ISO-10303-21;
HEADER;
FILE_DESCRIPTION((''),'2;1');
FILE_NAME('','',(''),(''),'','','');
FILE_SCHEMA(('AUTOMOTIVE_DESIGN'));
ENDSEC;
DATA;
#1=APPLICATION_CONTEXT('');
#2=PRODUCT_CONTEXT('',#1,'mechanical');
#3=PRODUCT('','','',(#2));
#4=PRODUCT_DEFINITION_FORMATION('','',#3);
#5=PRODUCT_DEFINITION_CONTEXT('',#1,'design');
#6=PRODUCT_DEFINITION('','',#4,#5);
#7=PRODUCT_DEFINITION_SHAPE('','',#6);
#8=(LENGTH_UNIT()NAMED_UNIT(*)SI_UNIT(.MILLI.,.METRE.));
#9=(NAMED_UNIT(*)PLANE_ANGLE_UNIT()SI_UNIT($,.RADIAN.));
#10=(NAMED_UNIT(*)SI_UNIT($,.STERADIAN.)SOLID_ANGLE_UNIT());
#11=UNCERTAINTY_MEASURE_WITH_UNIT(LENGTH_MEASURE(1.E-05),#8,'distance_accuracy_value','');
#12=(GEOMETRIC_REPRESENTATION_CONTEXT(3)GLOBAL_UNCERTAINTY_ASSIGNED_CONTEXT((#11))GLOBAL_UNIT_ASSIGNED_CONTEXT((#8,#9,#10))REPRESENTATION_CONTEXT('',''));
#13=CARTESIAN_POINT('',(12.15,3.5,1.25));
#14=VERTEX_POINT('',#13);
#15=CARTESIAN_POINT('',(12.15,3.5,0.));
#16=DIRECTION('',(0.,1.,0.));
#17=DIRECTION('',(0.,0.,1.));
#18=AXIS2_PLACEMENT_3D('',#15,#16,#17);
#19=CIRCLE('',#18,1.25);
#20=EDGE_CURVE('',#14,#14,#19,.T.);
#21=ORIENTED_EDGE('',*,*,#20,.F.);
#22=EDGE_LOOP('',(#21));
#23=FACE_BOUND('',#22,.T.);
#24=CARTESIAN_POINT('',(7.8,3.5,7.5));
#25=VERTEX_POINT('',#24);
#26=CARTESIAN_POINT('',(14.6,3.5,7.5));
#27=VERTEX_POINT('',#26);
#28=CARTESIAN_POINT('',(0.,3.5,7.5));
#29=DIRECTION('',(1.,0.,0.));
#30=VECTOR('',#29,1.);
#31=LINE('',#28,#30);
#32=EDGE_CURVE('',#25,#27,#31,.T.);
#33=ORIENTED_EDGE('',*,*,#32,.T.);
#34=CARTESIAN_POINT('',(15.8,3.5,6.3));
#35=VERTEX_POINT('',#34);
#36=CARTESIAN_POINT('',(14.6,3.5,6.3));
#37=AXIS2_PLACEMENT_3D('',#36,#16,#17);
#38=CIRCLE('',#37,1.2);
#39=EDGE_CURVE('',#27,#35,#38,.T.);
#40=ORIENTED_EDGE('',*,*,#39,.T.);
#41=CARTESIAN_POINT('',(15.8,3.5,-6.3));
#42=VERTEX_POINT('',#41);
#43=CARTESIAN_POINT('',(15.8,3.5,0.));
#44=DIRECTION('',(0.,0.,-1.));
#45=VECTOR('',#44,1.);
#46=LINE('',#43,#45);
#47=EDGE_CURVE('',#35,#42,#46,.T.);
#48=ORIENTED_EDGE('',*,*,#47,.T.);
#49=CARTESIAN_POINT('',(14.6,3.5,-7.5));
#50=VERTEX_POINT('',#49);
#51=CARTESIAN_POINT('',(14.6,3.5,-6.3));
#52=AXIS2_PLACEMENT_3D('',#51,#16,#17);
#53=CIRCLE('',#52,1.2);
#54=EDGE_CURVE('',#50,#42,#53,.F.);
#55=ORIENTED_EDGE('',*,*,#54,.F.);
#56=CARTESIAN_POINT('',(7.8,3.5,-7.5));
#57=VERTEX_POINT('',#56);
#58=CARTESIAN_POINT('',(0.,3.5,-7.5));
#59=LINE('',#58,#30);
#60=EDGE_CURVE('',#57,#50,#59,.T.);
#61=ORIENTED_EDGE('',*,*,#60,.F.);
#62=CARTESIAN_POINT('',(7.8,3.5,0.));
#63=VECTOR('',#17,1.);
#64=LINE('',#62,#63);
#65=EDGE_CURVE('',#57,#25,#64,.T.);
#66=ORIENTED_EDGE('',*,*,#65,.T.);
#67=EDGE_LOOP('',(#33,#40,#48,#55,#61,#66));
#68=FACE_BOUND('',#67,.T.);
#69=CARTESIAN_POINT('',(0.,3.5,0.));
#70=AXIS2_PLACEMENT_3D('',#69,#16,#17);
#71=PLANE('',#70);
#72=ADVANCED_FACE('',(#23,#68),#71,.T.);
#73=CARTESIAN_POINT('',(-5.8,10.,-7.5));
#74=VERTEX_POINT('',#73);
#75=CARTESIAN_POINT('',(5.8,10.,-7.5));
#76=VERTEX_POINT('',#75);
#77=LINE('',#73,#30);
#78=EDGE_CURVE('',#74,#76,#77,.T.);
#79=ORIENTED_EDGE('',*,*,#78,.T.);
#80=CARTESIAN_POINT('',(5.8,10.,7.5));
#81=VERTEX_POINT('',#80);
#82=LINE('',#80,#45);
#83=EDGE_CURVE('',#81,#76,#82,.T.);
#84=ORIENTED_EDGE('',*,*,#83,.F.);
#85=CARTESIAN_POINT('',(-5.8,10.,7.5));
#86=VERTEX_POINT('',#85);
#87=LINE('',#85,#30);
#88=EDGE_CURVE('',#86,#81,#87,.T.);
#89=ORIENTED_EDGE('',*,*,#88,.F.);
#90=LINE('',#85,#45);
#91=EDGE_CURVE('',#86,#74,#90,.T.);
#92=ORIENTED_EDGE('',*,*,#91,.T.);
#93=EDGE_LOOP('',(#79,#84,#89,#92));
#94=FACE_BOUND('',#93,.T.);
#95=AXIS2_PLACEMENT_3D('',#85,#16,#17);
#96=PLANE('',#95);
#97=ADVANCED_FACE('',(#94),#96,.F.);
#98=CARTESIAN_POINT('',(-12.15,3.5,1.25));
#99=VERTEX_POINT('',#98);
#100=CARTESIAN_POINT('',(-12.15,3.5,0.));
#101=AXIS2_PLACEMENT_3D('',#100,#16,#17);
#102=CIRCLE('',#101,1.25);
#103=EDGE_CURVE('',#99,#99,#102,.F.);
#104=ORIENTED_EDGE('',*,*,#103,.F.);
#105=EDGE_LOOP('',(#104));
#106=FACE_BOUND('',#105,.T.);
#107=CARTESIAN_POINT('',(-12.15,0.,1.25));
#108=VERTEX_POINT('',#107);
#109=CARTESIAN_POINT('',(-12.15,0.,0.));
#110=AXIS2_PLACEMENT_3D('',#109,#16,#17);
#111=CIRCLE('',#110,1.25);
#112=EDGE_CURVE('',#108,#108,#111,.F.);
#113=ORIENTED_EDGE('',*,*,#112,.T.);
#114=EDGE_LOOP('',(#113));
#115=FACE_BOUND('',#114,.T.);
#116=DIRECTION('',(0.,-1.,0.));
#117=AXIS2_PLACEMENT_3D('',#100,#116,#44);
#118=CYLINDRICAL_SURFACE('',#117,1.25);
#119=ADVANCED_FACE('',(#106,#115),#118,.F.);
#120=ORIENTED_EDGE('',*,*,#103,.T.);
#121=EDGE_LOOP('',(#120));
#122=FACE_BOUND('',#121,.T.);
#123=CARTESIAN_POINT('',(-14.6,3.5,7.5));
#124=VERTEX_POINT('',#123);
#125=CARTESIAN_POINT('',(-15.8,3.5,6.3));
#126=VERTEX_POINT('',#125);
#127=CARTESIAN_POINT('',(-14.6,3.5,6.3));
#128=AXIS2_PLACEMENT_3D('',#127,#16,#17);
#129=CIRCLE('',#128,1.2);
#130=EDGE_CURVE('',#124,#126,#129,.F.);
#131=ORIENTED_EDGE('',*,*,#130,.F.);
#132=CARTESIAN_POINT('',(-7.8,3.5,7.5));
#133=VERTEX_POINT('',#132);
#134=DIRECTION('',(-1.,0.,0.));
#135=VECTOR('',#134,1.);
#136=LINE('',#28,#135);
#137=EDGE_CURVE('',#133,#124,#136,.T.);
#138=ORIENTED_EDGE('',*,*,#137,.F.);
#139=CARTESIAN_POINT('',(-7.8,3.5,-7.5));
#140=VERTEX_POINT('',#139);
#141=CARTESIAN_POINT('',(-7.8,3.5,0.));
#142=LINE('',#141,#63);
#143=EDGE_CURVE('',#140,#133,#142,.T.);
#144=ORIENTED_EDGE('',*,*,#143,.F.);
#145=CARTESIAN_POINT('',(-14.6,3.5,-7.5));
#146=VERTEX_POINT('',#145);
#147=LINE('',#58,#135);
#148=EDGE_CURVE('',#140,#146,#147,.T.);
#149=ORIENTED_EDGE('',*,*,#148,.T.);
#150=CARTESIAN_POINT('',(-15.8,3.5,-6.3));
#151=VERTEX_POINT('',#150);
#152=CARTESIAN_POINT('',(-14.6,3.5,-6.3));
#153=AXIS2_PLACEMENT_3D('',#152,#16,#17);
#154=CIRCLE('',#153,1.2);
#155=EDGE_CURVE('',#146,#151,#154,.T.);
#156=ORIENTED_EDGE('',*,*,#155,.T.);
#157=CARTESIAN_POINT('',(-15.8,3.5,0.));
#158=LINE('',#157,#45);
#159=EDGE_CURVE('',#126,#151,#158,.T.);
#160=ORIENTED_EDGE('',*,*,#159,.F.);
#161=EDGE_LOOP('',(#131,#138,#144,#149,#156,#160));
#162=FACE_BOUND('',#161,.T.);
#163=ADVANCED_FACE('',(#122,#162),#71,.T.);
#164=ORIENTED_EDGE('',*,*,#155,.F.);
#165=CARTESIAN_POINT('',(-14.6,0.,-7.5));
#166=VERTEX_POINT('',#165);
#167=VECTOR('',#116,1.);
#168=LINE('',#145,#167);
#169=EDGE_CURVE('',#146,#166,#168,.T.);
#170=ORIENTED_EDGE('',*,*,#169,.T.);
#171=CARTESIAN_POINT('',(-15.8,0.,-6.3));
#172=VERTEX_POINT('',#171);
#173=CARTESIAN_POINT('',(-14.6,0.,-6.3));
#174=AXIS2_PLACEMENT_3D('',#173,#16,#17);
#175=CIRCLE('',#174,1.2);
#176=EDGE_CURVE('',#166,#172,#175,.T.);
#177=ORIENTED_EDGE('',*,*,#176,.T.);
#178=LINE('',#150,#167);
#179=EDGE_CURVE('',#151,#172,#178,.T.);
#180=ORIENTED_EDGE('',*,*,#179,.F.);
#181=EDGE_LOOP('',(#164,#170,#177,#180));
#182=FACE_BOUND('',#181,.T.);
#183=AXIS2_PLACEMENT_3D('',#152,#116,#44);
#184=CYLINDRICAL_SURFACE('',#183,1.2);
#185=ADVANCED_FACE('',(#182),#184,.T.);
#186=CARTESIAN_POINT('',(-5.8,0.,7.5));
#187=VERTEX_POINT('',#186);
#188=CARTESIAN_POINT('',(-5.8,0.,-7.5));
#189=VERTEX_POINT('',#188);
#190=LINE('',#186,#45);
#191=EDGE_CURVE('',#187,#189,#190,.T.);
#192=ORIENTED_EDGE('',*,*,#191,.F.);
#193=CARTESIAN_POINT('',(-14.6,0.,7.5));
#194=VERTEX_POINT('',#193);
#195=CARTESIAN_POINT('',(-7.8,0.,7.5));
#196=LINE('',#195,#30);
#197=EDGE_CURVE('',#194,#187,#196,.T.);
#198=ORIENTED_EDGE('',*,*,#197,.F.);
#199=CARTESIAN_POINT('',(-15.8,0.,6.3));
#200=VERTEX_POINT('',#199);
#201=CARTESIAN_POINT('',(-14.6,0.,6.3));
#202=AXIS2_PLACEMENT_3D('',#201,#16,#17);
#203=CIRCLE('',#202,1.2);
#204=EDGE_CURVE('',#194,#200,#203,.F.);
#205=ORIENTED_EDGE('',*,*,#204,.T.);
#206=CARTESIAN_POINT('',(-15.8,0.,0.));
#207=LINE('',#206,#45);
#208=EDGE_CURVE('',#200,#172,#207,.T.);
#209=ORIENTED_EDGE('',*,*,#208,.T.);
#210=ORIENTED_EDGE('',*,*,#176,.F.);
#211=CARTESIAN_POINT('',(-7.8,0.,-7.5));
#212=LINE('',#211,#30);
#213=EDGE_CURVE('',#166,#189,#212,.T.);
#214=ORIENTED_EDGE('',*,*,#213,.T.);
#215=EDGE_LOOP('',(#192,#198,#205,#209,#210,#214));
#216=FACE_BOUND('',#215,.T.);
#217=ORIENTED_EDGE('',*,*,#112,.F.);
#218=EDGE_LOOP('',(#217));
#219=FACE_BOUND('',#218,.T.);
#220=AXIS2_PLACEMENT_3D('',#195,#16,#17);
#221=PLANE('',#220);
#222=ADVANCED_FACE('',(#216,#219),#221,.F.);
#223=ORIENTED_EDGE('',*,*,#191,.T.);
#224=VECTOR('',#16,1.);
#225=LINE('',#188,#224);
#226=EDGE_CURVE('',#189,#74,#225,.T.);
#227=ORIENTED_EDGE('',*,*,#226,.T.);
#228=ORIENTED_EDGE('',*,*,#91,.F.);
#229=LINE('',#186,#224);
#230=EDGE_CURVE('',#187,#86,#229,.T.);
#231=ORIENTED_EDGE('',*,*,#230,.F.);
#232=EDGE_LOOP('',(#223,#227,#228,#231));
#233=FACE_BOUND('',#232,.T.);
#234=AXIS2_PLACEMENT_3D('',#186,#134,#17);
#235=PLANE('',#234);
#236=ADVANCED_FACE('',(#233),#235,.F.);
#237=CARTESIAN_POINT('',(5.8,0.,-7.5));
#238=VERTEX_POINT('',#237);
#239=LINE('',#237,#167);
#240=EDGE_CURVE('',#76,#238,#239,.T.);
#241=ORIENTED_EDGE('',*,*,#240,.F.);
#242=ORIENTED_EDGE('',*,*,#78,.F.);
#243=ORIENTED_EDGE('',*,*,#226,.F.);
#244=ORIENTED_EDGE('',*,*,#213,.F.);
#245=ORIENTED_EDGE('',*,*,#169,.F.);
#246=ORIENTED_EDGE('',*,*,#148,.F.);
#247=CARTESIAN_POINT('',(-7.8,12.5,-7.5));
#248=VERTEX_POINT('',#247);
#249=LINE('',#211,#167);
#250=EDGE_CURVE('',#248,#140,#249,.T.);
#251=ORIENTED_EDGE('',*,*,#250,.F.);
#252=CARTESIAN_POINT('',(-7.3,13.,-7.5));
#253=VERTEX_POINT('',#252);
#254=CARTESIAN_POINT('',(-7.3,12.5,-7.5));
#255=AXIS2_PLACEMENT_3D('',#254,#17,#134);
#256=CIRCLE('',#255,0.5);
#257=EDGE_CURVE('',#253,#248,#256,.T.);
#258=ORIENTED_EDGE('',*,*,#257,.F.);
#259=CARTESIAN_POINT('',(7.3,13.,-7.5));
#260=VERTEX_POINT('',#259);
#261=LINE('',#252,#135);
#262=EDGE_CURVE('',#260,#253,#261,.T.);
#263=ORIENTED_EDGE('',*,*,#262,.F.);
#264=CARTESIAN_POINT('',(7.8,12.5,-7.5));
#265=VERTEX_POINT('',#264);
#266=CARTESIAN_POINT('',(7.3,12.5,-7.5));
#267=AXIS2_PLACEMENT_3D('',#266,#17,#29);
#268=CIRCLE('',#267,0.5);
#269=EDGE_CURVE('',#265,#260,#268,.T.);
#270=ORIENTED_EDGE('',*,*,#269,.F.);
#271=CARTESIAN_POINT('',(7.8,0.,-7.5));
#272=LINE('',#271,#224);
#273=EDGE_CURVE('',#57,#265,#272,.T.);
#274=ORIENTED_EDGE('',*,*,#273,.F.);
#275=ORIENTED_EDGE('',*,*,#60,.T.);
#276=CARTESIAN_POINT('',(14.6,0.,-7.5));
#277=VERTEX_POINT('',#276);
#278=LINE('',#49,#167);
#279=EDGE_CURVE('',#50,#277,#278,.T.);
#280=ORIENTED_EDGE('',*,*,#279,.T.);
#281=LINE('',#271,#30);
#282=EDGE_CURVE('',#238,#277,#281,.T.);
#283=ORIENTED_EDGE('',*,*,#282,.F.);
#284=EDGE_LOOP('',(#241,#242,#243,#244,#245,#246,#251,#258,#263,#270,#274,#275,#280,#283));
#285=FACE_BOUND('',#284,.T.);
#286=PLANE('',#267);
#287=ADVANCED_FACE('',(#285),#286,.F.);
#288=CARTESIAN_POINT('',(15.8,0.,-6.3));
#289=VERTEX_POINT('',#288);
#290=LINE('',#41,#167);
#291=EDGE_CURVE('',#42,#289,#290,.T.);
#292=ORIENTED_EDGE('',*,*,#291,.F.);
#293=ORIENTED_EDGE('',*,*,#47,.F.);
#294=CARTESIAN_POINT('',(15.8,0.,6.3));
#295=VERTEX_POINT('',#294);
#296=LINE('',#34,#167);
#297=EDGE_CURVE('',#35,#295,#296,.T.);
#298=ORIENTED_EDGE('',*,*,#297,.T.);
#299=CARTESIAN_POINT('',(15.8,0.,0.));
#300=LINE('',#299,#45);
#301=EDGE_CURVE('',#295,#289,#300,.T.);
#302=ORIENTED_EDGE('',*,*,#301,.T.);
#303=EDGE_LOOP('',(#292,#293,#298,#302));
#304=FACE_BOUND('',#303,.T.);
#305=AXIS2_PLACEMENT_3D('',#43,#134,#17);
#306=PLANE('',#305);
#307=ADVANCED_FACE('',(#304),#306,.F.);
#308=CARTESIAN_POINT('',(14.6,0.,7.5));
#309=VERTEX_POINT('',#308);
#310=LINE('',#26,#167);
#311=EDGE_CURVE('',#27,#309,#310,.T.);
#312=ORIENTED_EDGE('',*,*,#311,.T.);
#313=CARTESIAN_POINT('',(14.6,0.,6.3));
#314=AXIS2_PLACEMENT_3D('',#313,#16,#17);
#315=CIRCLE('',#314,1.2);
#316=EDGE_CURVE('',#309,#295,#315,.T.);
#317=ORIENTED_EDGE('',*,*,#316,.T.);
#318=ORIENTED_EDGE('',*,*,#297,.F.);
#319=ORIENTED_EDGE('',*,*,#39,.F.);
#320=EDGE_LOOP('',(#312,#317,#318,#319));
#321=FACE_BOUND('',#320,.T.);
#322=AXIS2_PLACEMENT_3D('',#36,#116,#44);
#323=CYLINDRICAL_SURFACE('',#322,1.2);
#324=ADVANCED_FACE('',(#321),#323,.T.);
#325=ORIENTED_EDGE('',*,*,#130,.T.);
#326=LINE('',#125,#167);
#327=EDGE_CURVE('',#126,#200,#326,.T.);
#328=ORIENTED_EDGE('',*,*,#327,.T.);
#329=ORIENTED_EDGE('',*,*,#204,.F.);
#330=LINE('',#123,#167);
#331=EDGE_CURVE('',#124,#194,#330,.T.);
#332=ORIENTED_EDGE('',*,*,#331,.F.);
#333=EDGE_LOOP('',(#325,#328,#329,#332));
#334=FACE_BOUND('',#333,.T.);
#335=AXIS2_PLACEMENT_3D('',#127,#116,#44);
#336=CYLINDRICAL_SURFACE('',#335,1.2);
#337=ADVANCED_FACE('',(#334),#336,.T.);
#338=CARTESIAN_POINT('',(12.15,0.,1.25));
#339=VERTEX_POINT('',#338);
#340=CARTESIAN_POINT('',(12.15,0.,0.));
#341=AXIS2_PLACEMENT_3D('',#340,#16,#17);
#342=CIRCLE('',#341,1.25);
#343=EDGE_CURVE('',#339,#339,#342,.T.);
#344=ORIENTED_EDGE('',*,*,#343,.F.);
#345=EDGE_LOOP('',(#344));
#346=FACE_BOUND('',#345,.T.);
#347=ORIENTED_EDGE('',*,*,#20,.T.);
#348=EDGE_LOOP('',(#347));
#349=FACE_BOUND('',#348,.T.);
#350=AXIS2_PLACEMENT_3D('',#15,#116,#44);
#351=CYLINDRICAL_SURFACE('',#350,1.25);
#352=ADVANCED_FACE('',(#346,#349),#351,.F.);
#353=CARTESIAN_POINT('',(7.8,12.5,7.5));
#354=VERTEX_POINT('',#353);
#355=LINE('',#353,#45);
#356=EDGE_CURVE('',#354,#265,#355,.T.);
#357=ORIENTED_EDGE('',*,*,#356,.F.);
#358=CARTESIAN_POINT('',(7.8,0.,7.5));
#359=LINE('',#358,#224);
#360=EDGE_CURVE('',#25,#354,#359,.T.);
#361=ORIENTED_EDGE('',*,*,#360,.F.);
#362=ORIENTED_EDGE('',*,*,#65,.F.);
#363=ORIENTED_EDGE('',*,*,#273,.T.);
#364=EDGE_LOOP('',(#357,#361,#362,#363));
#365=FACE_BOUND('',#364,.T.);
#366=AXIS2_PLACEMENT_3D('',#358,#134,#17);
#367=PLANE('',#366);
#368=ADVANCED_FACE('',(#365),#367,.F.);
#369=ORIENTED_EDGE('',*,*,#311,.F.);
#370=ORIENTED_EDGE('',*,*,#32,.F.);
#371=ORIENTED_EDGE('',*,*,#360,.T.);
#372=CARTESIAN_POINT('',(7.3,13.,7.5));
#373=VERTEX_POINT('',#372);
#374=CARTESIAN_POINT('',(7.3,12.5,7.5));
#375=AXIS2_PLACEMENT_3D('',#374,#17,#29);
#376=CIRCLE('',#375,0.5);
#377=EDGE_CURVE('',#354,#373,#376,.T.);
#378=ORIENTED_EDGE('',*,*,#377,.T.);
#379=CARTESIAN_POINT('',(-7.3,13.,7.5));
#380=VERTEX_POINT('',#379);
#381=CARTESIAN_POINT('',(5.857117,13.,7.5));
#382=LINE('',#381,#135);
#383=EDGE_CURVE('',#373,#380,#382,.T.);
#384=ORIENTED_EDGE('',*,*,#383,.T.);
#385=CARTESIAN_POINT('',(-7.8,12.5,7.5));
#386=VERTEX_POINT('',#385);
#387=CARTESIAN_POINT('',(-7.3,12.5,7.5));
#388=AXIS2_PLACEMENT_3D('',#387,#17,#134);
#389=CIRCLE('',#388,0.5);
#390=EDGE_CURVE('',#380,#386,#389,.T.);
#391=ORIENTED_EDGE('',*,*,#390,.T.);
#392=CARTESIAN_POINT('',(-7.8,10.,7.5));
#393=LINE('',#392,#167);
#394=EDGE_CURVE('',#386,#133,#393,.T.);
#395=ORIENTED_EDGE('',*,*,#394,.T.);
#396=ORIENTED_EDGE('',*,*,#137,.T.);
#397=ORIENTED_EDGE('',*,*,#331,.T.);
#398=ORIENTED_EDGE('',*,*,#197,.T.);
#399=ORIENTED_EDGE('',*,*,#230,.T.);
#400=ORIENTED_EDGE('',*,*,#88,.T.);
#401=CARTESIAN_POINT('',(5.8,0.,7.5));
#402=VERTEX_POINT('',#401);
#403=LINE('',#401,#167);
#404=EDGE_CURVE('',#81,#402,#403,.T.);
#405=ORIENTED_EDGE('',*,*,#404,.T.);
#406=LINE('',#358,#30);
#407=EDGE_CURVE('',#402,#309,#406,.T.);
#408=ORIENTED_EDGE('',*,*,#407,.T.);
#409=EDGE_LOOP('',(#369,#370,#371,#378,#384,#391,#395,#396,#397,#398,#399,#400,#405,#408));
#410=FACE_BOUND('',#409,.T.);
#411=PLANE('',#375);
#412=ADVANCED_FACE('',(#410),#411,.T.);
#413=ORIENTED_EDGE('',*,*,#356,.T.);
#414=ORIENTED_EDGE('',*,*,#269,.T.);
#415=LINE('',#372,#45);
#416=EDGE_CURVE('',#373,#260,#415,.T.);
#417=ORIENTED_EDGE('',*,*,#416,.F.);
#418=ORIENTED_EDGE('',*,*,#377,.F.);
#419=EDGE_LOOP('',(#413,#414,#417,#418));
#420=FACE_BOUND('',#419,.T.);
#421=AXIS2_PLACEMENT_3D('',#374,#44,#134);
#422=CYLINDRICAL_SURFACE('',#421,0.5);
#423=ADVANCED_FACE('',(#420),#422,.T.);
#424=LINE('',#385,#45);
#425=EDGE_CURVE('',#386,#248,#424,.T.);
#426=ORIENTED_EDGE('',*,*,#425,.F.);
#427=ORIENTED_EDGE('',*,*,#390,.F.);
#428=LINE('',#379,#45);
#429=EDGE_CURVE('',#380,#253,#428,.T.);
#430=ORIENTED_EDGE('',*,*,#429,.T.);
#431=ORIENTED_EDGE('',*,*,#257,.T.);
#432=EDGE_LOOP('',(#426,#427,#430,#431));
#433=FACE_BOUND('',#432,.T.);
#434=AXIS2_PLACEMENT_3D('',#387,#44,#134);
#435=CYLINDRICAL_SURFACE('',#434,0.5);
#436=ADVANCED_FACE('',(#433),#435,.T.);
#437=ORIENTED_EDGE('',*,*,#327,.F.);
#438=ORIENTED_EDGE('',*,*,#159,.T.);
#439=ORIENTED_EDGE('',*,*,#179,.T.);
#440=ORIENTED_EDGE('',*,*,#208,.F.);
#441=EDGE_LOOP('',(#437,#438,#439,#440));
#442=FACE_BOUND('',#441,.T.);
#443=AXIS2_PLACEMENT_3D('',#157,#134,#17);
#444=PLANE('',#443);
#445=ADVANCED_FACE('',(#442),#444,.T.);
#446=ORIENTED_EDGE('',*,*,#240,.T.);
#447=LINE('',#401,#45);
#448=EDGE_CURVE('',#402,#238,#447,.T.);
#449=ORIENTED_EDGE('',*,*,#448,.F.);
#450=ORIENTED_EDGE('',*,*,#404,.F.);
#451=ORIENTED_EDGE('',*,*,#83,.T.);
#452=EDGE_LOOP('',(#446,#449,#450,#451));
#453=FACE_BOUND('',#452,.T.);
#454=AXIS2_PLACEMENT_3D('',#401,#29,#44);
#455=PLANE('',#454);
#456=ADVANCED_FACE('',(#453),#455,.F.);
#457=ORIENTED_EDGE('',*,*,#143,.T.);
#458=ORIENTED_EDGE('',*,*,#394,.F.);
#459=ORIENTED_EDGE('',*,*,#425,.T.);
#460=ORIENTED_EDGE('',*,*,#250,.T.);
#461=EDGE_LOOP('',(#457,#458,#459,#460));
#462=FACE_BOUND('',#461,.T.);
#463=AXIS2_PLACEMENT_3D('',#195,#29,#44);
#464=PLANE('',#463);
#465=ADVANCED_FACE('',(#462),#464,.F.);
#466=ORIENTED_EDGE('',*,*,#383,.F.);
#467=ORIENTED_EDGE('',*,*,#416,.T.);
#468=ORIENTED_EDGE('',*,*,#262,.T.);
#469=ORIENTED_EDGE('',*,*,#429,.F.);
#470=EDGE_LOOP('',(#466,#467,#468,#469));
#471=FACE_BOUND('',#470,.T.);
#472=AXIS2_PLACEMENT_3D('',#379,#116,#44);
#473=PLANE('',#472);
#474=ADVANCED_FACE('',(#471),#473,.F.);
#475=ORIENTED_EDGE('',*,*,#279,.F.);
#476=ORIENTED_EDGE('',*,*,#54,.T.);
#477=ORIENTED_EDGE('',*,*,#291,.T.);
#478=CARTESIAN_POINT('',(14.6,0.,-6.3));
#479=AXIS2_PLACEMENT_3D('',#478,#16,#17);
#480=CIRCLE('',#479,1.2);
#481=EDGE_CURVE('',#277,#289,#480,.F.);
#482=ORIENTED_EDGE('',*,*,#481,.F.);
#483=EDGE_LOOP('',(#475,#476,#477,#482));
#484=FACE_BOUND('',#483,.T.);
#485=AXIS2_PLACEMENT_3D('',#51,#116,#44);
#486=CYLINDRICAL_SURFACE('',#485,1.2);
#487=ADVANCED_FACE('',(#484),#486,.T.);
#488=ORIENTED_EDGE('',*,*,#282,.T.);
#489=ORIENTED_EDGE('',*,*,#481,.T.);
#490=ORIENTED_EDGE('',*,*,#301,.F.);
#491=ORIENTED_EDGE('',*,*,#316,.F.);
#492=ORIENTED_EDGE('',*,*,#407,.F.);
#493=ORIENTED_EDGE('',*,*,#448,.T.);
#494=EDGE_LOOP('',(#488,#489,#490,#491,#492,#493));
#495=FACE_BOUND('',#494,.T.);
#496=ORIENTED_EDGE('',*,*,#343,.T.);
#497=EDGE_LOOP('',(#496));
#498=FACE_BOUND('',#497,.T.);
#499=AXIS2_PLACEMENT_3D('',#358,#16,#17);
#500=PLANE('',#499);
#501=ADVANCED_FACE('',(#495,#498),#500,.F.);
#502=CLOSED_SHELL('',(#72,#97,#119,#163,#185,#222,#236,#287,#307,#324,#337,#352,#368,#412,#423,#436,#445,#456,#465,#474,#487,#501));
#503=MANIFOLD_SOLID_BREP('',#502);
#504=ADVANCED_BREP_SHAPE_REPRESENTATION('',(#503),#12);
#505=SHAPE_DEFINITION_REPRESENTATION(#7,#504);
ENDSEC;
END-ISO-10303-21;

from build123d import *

# Parameters (mm, degrees)
BOSS_EXTRUDE1_DEPTH = 7.5
SKETCH3_R           = 1.25
BOSS_EXTRUDE2_DEPTH = 3.5


with BuildPart() as part:
    # Sketch1 → Boss-Extrude1 (new body, symmetric)
    with BuildSketch(Plane.XY):
        with BuildLine():
            Line((-5.8, 0), (-5.8, 10))
            Line((-5.8, 10), (5.8, 10))
            Line((5.8, 10), (5.8, 0))
            Line((5.8, 0), (7.8, 0))
            Line((7.8, 0), (7.8, 12.5))
            ThreePointArc((7.8, 12.5), (7.653553391, 12.853553391), (7.3, 13))
            Line((7.3, 13), (5.857116976, 13))
            Line((5.857116976, 13), (-7.3, 13))
            ThreePointArc((-7.3, 13), (-7.653553391, 12.853553391), (-7.8, 12.5))
            Line((-7.8, 12.5), (-7.8, 10))
            Line((-7.8, 10), (-7.8, 0))
            Line((-7.8, 0), (-5.8, 0))
        make_face()
    extrude(amount=BOSS_EXTRUDE1_DEPTH, both=True)

    # Sketch3 → Boss-Extrude2 (add)
    with BuildSketch(Plane(origin=(0, 0, 0), x_dir=(1, 0, 0), z_dir=(0, 1, 0))):
        with BuildLine():
            ThreePointArc((-14.6, -7.5), (-15.448528137, -7.148528137), (-15.8, -6.3))
            Line((-15.8, -6.3), (-15.8, 6.3))
            ThreePointArc((-15.8, 6.3), (-15.448528137, 7.148528137), (-14.6, 7.5))
            Line((-14.6, 7.5), (-7.8, 7.5))
            Line((-7.8, 7.5), (-7.8, -7.5))
            Line((-7.8, -7.5), (-14.6, -7.5))
        make_face()
        with Locations((-12.15, 0)):
            Circle(SKETCH3_R, mode=Mode.SUBTRACT)
        with BuildLine():
            ThreePointArc((14.6, 7.5), (15.448528137, 7.148528137), (15.8, 6.3))
            Line((15.8, 6.3), (15.8, -6.3))
            ThreePointArc((15.8, -6.3), (15.448528137, -7.148528137), (14.6, -7.5))
            Line((14.6, -7.5), (7.8, -7.5))
            Line((7.8, -7.5), (7.8, 7.5))
            Line((7.8, 7.5), (14.6, 7.5))
        make_face()
        with Locations((12.15, 0)):
            Circle(SKETCH3_R, mode=Mode.SUBTRACT)
    extrude(amount=BOSS_EXTRUDE2_DEPTH)


solid = part.part
